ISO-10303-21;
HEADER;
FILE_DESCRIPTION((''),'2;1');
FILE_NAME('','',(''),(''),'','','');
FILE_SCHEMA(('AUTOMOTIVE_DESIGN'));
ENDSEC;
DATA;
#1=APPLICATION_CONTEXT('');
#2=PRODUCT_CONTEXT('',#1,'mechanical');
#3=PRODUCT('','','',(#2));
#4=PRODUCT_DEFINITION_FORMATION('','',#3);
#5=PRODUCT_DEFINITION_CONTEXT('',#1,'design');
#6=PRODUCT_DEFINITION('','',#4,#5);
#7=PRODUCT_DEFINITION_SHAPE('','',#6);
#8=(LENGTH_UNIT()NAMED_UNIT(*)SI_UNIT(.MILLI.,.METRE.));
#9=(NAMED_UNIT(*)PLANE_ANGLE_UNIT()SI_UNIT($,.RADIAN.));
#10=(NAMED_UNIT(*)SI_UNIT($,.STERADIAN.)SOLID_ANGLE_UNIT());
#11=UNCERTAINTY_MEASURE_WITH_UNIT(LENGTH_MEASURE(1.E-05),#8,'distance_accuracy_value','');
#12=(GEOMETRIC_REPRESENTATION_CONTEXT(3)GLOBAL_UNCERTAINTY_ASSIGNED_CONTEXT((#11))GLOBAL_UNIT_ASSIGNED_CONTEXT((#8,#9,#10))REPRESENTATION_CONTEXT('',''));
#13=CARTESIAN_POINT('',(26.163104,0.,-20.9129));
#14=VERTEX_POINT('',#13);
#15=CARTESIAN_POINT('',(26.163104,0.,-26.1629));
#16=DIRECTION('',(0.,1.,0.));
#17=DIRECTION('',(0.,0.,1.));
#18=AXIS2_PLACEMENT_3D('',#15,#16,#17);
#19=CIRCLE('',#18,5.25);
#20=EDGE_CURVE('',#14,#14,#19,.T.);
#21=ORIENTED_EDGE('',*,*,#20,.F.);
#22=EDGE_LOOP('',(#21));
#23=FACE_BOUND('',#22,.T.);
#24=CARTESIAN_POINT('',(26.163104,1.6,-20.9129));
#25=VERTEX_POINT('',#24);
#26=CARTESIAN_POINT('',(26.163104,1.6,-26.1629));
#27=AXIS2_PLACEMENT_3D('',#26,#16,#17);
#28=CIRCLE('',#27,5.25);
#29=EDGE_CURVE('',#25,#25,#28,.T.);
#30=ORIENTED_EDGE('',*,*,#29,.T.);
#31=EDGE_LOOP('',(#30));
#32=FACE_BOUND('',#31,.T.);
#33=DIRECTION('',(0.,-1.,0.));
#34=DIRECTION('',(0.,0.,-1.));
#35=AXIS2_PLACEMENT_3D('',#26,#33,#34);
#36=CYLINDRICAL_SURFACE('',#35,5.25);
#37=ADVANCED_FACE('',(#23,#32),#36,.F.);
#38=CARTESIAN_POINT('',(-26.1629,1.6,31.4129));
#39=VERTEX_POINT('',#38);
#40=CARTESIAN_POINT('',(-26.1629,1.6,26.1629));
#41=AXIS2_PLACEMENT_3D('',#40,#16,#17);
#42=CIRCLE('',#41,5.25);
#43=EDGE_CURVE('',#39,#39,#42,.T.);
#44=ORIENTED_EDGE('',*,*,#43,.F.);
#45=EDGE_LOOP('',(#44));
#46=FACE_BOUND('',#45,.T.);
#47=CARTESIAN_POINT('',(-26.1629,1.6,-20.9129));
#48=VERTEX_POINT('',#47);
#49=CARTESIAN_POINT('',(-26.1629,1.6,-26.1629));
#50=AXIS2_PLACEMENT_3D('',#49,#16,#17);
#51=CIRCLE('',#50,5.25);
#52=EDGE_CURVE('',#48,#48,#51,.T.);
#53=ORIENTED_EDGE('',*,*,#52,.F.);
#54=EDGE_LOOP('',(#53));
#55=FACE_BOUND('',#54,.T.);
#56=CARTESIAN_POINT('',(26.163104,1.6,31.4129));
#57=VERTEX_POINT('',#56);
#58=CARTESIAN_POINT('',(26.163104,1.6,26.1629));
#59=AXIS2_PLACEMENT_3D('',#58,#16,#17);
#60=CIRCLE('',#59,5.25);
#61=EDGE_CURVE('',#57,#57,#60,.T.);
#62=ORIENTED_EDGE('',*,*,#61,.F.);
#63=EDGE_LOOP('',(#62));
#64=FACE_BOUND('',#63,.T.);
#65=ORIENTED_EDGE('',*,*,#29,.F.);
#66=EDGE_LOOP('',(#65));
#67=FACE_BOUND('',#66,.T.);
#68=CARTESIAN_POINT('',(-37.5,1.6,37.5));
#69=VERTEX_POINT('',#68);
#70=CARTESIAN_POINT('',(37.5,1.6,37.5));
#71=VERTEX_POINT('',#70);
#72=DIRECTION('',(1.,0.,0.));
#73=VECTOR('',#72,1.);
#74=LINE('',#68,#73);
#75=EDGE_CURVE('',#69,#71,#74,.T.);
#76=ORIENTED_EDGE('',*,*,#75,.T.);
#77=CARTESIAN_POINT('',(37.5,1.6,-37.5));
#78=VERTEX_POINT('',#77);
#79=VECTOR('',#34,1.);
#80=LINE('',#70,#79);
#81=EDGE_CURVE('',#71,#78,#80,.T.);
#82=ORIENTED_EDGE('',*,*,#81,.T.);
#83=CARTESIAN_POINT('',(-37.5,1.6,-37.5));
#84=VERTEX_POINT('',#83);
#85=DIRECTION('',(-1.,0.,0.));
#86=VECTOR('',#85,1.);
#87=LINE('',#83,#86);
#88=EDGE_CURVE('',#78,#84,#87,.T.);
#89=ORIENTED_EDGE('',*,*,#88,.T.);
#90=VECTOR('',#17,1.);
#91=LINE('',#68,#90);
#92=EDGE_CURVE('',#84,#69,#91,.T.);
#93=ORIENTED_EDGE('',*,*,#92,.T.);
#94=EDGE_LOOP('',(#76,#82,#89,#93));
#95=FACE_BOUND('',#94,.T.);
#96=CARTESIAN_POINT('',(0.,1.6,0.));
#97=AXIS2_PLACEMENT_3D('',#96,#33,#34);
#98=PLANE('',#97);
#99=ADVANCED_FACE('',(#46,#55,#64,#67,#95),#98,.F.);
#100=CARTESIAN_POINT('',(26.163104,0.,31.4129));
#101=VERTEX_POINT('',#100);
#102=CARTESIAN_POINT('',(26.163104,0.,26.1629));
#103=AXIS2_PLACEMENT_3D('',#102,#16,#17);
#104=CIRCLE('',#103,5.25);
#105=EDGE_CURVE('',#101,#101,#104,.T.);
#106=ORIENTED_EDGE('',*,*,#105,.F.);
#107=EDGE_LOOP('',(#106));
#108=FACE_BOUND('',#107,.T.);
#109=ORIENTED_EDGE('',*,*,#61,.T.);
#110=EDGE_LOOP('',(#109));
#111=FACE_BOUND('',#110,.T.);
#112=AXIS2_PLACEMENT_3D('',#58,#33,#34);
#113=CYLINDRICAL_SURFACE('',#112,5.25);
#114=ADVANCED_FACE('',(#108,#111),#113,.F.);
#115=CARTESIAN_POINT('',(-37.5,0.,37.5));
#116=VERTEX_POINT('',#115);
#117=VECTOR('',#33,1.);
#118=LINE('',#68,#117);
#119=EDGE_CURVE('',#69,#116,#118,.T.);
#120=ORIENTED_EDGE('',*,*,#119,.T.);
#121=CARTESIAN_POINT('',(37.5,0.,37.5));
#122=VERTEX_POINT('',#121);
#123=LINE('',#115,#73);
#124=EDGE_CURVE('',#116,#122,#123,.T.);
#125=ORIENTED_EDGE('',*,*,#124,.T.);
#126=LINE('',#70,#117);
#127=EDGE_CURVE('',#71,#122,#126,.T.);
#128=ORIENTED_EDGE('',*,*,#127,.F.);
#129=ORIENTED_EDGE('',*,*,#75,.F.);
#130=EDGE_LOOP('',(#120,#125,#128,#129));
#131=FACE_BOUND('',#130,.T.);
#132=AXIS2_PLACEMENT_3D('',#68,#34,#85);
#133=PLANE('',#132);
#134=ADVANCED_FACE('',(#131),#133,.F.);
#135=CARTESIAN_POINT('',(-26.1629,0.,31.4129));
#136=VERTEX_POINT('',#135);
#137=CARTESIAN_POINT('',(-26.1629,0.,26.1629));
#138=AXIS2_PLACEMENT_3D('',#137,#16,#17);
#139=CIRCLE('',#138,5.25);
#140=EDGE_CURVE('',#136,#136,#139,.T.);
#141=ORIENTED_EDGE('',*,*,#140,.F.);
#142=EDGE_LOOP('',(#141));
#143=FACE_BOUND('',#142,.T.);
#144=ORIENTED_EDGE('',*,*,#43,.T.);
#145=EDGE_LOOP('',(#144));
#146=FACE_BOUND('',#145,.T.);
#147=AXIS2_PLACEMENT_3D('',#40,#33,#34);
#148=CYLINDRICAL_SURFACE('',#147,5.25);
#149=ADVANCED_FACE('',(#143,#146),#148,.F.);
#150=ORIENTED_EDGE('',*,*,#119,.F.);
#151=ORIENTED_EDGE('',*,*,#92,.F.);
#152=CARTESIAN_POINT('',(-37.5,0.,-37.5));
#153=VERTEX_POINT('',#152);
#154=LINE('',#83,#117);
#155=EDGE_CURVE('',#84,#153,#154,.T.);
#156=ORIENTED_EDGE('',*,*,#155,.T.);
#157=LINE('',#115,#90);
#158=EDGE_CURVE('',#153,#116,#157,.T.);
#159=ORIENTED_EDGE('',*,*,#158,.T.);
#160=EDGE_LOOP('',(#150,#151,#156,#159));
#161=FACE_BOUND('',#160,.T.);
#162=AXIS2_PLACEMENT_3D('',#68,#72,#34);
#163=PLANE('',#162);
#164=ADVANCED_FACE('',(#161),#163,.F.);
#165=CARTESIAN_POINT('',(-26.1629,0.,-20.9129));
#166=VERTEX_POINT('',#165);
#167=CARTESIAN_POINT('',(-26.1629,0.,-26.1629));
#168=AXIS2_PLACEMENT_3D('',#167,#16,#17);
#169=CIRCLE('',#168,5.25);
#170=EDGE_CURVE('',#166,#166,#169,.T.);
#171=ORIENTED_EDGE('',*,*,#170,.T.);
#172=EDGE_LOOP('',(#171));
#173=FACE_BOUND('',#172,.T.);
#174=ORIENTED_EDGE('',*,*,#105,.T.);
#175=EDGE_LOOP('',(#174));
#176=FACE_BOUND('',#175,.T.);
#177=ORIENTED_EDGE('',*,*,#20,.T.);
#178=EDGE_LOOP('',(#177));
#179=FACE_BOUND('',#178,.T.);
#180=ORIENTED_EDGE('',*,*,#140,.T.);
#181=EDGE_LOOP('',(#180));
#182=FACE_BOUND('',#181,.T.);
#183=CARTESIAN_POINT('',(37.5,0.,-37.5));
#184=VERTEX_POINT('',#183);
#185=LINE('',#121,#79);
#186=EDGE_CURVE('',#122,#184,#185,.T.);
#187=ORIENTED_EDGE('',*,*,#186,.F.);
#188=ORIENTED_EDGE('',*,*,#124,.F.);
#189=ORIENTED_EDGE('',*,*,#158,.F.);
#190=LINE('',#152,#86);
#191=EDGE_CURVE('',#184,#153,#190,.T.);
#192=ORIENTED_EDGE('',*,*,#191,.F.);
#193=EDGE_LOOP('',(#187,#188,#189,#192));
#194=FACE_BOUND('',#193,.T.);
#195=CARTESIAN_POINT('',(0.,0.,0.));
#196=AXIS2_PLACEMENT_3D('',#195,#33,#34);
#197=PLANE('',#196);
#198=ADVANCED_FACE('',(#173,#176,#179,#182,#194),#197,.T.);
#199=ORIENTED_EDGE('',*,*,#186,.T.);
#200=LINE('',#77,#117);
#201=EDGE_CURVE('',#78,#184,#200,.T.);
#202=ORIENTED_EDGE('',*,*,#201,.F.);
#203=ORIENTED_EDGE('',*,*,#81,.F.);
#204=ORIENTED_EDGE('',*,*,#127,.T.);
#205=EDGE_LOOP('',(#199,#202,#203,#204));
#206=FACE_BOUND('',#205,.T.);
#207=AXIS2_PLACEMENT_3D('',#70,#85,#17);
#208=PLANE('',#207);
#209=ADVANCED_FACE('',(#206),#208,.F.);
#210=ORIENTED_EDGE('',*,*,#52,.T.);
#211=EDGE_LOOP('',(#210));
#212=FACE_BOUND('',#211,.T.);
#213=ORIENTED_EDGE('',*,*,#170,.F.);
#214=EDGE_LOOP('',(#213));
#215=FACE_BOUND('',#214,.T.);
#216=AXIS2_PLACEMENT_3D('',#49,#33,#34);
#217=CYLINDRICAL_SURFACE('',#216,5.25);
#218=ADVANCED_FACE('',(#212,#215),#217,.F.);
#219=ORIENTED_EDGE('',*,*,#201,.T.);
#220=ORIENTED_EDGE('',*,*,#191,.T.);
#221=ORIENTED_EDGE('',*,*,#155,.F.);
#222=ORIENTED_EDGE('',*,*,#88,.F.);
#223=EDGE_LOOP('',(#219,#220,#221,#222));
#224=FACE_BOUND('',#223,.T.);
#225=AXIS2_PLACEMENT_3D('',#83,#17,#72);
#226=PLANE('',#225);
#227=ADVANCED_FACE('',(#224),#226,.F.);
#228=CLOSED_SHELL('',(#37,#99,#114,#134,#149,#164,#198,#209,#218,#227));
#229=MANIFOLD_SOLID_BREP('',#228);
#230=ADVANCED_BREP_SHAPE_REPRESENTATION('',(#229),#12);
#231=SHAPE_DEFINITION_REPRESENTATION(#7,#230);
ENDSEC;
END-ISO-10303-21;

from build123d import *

# Parameters (mm, degrees)
SKETCH1_W           = 75
SKETCH1_H           = 75
SKETCH1_R           = 5.25
BOSS_EXTRUDE1_DEPTH = 1.6


with BuildPart() as part:
    # Sketch1 → Boss-Extrude1 (new body)
    with BuildSketch(Plane(origin=(0, 0, 0), x_dir=(1, 0, 0), z_dir=(0, 1, 0))):
        Rectangle(SKETCH1_W, SKETCH1_H)
        with Locations((-26.1629, -26.1629)):
            Circle(SKETCH1_R, mode=Mode.SUBTRACT)
        with Locations((26.163103615, -26.1629)):
            Circle(SKETCH1_R, mode=Mode.SUBTRACT)
        with Locations((-26.1629, 26.1629)):
            Circle(SKETCH1_R, mode=Mode.SUBTRACT)
        with Locations((26.163103615, 26.1629)):
            Circle(SKETCH1_R, mode=Mode.SUBTRACT)
    extrude(amount=BOSS_EXTRUDE1_DEPTH)


solid = part.part
